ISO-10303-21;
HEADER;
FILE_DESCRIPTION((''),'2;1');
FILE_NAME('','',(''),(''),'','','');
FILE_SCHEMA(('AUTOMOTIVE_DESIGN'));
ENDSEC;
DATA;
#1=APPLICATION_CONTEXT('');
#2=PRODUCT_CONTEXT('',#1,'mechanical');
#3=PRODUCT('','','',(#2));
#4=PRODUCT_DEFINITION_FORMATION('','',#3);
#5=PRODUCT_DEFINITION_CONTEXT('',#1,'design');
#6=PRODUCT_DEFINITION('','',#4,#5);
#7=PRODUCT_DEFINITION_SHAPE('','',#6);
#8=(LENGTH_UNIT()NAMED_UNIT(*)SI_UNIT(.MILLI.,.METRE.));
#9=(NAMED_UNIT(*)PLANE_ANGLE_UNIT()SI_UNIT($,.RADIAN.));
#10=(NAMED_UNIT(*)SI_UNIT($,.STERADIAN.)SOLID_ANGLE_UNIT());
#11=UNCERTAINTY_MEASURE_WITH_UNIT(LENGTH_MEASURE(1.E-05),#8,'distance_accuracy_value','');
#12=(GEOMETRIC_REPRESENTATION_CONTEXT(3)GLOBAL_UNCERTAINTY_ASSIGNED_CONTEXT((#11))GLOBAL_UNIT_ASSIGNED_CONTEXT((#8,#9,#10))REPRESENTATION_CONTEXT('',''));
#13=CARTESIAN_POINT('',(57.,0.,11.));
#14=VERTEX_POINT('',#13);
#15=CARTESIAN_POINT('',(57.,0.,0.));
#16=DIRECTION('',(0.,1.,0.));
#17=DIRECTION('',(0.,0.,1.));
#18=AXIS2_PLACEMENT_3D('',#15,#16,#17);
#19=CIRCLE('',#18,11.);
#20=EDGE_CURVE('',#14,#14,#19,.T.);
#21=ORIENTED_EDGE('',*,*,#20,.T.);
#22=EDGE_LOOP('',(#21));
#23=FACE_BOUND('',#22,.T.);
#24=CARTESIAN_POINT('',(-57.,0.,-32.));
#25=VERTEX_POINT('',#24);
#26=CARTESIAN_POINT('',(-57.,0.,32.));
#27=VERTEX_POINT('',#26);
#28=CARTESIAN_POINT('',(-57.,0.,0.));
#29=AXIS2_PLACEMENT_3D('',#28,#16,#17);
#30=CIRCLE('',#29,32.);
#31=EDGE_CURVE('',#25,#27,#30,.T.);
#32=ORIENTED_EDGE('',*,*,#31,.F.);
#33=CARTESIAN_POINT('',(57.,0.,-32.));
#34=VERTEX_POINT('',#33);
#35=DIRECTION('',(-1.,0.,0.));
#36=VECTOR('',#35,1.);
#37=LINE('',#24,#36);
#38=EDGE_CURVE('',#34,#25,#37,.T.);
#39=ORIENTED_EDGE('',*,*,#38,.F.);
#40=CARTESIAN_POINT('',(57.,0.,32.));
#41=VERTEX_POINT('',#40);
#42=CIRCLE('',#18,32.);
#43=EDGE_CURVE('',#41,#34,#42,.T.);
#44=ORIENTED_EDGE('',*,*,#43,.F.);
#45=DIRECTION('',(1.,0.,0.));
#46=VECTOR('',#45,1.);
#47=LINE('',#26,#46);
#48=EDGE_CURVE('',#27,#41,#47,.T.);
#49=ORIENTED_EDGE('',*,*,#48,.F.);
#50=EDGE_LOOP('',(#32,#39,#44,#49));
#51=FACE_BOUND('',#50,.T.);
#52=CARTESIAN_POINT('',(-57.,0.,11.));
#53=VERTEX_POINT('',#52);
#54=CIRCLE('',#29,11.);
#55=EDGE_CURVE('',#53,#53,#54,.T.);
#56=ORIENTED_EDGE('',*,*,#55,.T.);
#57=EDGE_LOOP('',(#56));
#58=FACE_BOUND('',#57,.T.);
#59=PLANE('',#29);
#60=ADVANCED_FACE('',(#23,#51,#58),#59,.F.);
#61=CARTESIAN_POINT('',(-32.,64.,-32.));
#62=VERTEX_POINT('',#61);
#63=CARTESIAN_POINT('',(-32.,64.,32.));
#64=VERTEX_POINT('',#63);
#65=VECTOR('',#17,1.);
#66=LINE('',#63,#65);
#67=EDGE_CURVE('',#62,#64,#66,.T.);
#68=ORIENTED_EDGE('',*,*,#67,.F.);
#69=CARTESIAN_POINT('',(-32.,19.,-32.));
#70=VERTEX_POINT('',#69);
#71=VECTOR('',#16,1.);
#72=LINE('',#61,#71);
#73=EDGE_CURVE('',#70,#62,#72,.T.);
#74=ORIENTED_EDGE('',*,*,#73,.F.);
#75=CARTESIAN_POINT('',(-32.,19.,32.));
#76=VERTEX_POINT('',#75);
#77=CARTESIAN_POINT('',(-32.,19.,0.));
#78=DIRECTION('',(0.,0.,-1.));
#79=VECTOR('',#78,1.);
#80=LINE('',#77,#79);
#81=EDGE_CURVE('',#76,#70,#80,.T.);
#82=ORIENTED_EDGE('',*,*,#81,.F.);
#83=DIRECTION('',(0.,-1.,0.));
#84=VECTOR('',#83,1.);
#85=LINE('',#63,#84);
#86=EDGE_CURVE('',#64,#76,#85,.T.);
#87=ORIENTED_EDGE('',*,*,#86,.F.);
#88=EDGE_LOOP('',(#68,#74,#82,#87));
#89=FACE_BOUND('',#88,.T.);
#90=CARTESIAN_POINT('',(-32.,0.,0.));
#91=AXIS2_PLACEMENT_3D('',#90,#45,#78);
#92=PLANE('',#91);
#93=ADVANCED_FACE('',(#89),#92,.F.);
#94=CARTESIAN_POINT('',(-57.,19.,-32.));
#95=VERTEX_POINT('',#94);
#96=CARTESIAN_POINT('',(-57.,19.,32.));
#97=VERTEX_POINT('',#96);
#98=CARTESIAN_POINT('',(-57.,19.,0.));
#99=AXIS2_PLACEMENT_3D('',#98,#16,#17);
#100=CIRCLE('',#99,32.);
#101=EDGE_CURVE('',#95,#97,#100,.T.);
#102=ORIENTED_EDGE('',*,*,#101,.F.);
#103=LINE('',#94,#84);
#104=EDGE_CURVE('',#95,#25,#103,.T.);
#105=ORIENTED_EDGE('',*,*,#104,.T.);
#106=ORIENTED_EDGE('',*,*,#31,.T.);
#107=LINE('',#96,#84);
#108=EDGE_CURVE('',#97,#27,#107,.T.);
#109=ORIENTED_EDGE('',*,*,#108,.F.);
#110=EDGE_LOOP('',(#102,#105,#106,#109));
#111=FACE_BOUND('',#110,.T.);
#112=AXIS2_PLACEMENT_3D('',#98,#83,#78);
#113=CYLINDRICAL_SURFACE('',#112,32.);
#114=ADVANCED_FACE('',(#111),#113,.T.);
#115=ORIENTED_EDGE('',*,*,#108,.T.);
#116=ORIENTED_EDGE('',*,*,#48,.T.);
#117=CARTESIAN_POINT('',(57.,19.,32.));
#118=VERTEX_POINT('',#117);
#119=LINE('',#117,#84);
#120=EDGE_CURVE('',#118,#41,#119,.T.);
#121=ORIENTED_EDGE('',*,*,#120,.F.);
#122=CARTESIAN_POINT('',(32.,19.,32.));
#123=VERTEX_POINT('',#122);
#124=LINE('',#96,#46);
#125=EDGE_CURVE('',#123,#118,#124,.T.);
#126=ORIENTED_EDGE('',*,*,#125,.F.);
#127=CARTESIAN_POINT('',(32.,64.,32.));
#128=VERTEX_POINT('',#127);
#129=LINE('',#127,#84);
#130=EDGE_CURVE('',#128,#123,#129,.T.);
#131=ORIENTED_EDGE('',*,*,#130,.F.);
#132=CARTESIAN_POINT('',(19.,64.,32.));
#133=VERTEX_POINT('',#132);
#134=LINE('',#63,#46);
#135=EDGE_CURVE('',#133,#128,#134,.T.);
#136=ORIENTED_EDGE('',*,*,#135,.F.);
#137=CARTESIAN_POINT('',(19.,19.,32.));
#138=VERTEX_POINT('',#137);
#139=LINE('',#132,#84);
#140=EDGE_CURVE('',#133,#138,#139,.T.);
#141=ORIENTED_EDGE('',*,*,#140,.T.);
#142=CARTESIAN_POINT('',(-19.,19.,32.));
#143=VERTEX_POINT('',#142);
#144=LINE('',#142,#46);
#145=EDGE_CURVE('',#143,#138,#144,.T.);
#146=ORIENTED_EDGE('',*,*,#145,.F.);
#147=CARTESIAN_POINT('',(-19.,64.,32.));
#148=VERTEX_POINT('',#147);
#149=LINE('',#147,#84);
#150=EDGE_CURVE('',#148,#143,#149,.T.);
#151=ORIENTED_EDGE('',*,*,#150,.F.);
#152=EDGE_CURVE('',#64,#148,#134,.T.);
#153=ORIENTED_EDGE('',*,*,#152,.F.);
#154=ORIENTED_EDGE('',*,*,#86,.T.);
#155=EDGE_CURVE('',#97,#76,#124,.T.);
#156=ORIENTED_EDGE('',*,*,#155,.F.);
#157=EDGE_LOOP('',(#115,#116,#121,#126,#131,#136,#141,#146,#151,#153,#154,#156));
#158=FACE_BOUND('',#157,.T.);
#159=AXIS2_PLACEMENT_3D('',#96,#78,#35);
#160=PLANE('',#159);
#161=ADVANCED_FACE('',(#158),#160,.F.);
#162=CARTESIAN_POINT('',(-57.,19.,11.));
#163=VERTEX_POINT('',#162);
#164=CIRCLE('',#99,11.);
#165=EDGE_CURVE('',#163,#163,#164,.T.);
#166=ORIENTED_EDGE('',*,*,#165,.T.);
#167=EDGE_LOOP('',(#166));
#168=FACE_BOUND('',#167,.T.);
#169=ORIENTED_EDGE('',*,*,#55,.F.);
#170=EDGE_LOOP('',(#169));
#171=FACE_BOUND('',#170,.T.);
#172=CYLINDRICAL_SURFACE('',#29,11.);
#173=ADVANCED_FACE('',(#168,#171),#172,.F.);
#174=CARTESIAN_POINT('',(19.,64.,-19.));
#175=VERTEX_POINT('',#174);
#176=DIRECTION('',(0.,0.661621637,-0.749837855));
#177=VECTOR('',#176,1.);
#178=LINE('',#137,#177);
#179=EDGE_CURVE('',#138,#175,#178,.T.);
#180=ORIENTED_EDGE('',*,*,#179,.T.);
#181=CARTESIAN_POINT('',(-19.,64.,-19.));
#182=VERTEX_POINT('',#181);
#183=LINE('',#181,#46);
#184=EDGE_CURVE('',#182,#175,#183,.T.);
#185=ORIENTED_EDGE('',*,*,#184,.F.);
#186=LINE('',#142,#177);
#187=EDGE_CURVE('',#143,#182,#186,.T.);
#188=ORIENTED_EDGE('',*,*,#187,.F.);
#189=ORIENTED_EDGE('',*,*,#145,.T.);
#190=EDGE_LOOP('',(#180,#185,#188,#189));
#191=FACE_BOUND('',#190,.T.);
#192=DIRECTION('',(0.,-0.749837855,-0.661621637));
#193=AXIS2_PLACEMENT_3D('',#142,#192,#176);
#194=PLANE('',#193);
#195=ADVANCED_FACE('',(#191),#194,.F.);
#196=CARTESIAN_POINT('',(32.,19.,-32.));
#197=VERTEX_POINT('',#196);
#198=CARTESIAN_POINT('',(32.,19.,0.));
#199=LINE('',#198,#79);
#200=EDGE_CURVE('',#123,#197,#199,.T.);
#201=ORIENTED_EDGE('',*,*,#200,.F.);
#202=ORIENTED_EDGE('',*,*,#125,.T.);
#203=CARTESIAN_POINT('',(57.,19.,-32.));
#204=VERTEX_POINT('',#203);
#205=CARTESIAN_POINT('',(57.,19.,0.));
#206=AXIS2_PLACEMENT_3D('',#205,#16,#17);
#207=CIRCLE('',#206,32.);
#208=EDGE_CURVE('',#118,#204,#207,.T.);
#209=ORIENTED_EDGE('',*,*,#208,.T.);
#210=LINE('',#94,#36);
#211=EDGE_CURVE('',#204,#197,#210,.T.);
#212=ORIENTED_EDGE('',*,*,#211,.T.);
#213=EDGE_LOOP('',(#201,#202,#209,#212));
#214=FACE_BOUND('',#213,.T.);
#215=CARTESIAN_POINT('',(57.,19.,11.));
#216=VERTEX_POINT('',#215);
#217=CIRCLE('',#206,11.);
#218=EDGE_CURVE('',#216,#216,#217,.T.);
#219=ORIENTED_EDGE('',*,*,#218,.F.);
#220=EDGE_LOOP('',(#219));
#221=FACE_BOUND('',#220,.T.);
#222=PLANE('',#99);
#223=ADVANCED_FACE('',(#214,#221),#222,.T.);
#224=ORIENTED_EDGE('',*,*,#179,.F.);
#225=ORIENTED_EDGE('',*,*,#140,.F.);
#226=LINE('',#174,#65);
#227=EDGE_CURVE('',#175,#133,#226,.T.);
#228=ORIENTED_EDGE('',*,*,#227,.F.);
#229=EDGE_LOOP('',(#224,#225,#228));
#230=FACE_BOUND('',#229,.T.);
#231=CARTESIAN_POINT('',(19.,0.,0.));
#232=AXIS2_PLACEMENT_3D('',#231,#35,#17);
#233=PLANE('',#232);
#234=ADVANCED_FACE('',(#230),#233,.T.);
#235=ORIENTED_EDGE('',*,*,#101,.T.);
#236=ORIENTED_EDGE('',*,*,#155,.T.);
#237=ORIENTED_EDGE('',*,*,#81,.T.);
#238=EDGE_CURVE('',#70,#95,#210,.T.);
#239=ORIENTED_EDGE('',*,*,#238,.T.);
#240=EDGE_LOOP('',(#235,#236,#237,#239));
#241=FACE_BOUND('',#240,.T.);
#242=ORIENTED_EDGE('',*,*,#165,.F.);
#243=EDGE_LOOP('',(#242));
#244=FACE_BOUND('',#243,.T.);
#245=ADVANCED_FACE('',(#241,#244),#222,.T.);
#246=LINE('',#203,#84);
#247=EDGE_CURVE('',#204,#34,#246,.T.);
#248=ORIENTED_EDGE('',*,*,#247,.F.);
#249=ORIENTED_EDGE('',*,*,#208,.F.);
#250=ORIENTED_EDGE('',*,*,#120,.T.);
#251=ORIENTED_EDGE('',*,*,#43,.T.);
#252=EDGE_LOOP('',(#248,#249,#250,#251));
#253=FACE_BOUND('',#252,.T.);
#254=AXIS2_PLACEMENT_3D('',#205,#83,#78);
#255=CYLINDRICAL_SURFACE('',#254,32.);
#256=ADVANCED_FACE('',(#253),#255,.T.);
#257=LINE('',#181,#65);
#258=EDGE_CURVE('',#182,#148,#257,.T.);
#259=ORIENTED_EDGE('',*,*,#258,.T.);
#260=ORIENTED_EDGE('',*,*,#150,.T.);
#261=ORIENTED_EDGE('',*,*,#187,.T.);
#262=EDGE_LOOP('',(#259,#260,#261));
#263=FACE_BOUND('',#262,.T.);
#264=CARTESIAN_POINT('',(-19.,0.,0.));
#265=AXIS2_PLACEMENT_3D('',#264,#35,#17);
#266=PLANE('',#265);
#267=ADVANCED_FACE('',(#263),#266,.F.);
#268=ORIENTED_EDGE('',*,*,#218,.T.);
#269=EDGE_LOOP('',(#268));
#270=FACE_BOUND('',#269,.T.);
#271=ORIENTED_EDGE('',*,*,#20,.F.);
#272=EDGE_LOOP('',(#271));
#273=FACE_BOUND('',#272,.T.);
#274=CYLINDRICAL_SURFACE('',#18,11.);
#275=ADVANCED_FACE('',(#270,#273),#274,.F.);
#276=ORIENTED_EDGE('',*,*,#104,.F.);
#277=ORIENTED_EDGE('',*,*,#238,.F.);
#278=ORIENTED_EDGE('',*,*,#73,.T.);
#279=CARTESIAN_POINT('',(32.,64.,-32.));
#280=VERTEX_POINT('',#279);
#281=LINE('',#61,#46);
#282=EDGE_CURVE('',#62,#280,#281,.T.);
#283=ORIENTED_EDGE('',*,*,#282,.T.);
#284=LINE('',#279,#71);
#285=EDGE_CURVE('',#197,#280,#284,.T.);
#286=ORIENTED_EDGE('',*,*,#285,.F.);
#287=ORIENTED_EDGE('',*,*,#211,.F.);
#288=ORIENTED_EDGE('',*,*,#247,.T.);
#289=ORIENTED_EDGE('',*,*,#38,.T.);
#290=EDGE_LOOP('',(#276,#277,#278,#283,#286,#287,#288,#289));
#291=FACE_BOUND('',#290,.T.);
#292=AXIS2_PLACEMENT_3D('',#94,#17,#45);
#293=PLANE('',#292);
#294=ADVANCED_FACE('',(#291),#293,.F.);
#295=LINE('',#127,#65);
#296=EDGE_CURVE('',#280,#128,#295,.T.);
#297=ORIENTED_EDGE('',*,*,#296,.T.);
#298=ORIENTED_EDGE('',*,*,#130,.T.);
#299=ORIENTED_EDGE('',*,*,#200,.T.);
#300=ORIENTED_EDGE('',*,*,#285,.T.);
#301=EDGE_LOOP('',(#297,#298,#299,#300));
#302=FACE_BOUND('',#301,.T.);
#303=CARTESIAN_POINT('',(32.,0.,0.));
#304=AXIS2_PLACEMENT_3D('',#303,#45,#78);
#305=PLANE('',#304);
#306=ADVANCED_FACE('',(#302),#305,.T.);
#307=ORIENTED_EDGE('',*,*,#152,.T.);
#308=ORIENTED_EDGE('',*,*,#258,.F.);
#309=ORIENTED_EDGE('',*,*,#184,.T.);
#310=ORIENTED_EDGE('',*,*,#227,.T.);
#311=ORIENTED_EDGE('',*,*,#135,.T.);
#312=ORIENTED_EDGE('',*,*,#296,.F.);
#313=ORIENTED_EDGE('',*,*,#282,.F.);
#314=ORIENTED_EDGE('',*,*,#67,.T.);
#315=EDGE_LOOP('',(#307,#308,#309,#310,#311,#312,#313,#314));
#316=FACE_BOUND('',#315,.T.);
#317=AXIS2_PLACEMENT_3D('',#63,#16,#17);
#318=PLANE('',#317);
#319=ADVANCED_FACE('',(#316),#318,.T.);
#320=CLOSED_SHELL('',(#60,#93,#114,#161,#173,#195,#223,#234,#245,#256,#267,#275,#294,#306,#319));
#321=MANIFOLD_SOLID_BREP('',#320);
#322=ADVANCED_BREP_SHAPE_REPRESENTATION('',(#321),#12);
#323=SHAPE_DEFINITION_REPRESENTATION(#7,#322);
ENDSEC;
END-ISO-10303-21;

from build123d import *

# Parameters (mm, degrees)
BOSS_EXTRUDE1_DEPTH      = 19
SKETCH8_R                = 11
CUT_EXTRUDE12_DEPTH      = 19
BOSS_EXTRUDE3_DEPTH      = 32
BOSS_EXTRUDE3_DEPTH_BACK = 32
SKETCH9_W                = 64
SKETCH9_H                = 64
CUT_EXTRUDE13_DEPTH      = 19


with BuildPart() as part:
    # Sketch1 → Boss-Extrude1 (new body)
    with BuildSketch(Plane(origin=(0, 0, 0), x_dir=(1, 0, 0), z_dir=(0, 1, 0))):
        with BuildLine():
            Line((-57, 32), (57, 32))
            ThreePointArc((57, 32), (89, 0), (57, -32))
            Line((57, -32), (-57, -32))
            ThreePointArc((-57, -32), (-89, 0), (-57, 32))
        make_face()
    extrude(amount=BOSS_EXTRUDE1_DEPTH)

    # Sketch8 → Cut-Extrude12 (cut, symmetric)
    with BuildSketch(Plane(origin=(0, 19, 0), x_dir=(1, 0, 0), z_dir=(0, 1, 0))):
        with Locations((-57, 0)):
            Circle(SKETCH8_R)
        with Locations((57, 0)):
            Circle(SKETCH8_R)
    extrude(amount=CUT_EXTRUDE12_DEPTH, both=True, mode=Mode.SUBTRACT)

    # Sketch9 → Boss-Extrude3 (add, two sides: drawn at the far end of the back side and taken through both)
    with BuildSketch(Plane(origin=(0, 0, 0), x_dir=(0, 0, -1), z_dir=(1, 0, 0)).offset(-BOSS_EXTRUDE3_DEPTH_BACK)):
        with Locations((0, 32)):
            Rectangle(SKETCH9_W, SKETCH9_H)
    extrude(amount=BOSS_EXTRUDE3_DEPTH + BOSS_EXTRUDE3_DEPTH_BACK)

    # Sketch10 → Cut-Extrude13 (cut, symmetric)
    with BuildSketch(Plane(origin=(0, 0, 0), x_dir=(0, 0, -1), z_dir=(1, 0, 0))):
        Polygon((-32, 19), (19, 64), (-32, 64), align=None)
    extrude(amount=CUT_EXTRUDE13_DEPTH, both=True, mode=Mode.SUBTRACT)


solid = part.part
